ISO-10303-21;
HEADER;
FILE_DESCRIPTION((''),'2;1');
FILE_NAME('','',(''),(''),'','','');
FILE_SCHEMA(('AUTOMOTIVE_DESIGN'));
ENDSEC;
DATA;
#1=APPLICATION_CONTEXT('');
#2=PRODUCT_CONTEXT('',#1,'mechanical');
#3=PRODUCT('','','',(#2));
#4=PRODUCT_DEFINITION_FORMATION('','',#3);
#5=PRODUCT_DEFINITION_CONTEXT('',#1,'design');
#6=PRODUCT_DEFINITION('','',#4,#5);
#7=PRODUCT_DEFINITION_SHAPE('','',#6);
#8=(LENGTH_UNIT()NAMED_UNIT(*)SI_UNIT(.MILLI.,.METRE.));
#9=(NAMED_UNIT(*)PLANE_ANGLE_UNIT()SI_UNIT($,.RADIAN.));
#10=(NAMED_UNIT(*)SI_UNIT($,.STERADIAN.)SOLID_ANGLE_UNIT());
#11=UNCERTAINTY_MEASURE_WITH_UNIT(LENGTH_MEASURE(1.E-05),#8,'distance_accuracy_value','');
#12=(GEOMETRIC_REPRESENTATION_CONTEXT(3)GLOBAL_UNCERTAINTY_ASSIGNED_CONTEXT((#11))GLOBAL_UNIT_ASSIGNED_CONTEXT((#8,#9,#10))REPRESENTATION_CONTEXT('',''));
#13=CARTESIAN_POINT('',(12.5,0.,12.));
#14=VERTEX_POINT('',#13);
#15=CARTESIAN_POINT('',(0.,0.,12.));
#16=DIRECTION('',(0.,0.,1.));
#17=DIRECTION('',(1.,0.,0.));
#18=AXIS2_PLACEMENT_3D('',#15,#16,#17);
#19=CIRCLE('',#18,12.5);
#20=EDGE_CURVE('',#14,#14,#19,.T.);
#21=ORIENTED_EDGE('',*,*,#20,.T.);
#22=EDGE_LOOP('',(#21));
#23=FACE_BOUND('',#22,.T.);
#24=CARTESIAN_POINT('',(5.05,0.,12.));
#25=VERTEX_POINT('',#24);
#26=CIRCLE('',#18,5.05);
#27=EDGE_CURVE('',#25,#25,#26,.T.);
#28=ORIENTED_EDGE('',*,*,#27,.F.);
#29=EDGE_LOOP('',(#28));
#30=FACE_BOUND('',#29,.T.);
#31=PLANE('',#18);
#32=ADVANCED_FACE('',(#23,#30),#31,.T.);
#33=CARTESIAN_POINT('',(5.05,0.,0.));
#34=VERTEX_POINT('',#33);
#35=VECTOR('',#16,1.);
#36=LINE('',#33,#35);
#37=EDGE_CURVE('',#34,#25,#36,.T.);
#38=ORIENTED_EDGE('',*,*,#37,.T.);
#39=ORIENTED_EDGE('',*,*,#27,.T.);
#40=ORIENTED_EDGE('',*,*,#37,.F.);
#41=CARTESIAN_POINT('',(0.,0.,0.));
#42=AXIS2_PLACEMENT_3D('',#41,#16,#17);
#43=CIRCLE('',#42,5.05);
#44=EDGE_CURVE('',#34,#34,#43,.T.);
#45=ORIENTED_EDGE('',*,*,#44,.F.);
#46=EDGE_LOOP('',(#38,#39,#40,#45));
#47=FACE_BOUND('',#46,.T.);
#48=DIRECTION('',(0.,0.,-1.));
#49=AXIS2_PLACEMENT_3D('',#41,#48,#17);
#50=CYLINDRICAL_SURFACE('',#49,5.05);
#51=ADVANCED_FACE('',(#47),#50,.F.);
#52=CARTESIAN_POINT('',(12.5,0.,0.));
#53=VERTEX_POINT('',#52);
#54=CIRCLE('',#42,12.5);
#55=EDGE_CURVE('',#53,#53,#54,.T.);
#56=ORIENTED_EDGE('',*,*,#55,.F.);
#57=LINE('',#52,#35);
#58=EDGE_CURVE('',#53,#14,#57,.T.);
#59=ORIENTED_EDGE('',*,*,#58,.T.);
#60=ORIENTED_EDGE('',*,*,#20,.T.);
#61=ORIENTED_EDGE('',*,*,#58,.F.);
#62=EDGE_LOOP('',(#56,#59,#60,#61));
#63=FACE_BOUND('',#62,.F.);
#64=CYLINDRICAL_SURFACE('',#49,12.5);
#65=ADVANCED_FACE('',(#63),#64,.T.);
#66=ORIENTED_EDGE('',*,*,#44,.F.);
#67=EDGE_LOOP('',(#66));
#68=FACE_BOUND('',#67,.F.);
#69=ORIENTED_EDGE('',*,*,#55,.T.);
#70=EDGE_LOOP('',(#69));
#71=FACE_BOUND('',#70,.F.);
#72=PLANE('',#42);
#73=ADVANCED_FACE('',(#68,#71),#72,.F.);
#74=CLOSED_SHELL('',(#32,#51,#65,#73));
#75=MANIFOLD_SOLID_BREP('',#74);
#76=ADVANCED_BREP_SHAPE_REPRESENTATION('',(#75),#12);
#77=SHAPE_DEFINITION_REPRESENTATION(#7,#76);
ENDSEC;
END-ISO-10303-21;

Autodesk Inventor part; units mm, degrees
ref_plane "YZ Plane" through (0, 0, 0) normal (1, 0, 0) x (0, 1, 0)
ref_plane "XZ Plane" through (0, 0, 0) normal (0, 1, 0) x (-1, 0, 0)
ref_plane "XY Plane" through (0, 0, 0) normal (0, 0, 1) x (1, 0, 0)
sketch "Sketch1" plane through (0, 0, 0) normal (0, 0, 1) x (1, 0, 0)
  circle A0 centre (0, 0) radius 5.05
  circle A1 centre (0, 0) radius 12.5
  dimension "d0" = 10.1
  dimension "d1" = 25
extrude "Extrusion1" add sketch "Sketch1" along normal blind 12
properties part number "CAD_C_fill"
